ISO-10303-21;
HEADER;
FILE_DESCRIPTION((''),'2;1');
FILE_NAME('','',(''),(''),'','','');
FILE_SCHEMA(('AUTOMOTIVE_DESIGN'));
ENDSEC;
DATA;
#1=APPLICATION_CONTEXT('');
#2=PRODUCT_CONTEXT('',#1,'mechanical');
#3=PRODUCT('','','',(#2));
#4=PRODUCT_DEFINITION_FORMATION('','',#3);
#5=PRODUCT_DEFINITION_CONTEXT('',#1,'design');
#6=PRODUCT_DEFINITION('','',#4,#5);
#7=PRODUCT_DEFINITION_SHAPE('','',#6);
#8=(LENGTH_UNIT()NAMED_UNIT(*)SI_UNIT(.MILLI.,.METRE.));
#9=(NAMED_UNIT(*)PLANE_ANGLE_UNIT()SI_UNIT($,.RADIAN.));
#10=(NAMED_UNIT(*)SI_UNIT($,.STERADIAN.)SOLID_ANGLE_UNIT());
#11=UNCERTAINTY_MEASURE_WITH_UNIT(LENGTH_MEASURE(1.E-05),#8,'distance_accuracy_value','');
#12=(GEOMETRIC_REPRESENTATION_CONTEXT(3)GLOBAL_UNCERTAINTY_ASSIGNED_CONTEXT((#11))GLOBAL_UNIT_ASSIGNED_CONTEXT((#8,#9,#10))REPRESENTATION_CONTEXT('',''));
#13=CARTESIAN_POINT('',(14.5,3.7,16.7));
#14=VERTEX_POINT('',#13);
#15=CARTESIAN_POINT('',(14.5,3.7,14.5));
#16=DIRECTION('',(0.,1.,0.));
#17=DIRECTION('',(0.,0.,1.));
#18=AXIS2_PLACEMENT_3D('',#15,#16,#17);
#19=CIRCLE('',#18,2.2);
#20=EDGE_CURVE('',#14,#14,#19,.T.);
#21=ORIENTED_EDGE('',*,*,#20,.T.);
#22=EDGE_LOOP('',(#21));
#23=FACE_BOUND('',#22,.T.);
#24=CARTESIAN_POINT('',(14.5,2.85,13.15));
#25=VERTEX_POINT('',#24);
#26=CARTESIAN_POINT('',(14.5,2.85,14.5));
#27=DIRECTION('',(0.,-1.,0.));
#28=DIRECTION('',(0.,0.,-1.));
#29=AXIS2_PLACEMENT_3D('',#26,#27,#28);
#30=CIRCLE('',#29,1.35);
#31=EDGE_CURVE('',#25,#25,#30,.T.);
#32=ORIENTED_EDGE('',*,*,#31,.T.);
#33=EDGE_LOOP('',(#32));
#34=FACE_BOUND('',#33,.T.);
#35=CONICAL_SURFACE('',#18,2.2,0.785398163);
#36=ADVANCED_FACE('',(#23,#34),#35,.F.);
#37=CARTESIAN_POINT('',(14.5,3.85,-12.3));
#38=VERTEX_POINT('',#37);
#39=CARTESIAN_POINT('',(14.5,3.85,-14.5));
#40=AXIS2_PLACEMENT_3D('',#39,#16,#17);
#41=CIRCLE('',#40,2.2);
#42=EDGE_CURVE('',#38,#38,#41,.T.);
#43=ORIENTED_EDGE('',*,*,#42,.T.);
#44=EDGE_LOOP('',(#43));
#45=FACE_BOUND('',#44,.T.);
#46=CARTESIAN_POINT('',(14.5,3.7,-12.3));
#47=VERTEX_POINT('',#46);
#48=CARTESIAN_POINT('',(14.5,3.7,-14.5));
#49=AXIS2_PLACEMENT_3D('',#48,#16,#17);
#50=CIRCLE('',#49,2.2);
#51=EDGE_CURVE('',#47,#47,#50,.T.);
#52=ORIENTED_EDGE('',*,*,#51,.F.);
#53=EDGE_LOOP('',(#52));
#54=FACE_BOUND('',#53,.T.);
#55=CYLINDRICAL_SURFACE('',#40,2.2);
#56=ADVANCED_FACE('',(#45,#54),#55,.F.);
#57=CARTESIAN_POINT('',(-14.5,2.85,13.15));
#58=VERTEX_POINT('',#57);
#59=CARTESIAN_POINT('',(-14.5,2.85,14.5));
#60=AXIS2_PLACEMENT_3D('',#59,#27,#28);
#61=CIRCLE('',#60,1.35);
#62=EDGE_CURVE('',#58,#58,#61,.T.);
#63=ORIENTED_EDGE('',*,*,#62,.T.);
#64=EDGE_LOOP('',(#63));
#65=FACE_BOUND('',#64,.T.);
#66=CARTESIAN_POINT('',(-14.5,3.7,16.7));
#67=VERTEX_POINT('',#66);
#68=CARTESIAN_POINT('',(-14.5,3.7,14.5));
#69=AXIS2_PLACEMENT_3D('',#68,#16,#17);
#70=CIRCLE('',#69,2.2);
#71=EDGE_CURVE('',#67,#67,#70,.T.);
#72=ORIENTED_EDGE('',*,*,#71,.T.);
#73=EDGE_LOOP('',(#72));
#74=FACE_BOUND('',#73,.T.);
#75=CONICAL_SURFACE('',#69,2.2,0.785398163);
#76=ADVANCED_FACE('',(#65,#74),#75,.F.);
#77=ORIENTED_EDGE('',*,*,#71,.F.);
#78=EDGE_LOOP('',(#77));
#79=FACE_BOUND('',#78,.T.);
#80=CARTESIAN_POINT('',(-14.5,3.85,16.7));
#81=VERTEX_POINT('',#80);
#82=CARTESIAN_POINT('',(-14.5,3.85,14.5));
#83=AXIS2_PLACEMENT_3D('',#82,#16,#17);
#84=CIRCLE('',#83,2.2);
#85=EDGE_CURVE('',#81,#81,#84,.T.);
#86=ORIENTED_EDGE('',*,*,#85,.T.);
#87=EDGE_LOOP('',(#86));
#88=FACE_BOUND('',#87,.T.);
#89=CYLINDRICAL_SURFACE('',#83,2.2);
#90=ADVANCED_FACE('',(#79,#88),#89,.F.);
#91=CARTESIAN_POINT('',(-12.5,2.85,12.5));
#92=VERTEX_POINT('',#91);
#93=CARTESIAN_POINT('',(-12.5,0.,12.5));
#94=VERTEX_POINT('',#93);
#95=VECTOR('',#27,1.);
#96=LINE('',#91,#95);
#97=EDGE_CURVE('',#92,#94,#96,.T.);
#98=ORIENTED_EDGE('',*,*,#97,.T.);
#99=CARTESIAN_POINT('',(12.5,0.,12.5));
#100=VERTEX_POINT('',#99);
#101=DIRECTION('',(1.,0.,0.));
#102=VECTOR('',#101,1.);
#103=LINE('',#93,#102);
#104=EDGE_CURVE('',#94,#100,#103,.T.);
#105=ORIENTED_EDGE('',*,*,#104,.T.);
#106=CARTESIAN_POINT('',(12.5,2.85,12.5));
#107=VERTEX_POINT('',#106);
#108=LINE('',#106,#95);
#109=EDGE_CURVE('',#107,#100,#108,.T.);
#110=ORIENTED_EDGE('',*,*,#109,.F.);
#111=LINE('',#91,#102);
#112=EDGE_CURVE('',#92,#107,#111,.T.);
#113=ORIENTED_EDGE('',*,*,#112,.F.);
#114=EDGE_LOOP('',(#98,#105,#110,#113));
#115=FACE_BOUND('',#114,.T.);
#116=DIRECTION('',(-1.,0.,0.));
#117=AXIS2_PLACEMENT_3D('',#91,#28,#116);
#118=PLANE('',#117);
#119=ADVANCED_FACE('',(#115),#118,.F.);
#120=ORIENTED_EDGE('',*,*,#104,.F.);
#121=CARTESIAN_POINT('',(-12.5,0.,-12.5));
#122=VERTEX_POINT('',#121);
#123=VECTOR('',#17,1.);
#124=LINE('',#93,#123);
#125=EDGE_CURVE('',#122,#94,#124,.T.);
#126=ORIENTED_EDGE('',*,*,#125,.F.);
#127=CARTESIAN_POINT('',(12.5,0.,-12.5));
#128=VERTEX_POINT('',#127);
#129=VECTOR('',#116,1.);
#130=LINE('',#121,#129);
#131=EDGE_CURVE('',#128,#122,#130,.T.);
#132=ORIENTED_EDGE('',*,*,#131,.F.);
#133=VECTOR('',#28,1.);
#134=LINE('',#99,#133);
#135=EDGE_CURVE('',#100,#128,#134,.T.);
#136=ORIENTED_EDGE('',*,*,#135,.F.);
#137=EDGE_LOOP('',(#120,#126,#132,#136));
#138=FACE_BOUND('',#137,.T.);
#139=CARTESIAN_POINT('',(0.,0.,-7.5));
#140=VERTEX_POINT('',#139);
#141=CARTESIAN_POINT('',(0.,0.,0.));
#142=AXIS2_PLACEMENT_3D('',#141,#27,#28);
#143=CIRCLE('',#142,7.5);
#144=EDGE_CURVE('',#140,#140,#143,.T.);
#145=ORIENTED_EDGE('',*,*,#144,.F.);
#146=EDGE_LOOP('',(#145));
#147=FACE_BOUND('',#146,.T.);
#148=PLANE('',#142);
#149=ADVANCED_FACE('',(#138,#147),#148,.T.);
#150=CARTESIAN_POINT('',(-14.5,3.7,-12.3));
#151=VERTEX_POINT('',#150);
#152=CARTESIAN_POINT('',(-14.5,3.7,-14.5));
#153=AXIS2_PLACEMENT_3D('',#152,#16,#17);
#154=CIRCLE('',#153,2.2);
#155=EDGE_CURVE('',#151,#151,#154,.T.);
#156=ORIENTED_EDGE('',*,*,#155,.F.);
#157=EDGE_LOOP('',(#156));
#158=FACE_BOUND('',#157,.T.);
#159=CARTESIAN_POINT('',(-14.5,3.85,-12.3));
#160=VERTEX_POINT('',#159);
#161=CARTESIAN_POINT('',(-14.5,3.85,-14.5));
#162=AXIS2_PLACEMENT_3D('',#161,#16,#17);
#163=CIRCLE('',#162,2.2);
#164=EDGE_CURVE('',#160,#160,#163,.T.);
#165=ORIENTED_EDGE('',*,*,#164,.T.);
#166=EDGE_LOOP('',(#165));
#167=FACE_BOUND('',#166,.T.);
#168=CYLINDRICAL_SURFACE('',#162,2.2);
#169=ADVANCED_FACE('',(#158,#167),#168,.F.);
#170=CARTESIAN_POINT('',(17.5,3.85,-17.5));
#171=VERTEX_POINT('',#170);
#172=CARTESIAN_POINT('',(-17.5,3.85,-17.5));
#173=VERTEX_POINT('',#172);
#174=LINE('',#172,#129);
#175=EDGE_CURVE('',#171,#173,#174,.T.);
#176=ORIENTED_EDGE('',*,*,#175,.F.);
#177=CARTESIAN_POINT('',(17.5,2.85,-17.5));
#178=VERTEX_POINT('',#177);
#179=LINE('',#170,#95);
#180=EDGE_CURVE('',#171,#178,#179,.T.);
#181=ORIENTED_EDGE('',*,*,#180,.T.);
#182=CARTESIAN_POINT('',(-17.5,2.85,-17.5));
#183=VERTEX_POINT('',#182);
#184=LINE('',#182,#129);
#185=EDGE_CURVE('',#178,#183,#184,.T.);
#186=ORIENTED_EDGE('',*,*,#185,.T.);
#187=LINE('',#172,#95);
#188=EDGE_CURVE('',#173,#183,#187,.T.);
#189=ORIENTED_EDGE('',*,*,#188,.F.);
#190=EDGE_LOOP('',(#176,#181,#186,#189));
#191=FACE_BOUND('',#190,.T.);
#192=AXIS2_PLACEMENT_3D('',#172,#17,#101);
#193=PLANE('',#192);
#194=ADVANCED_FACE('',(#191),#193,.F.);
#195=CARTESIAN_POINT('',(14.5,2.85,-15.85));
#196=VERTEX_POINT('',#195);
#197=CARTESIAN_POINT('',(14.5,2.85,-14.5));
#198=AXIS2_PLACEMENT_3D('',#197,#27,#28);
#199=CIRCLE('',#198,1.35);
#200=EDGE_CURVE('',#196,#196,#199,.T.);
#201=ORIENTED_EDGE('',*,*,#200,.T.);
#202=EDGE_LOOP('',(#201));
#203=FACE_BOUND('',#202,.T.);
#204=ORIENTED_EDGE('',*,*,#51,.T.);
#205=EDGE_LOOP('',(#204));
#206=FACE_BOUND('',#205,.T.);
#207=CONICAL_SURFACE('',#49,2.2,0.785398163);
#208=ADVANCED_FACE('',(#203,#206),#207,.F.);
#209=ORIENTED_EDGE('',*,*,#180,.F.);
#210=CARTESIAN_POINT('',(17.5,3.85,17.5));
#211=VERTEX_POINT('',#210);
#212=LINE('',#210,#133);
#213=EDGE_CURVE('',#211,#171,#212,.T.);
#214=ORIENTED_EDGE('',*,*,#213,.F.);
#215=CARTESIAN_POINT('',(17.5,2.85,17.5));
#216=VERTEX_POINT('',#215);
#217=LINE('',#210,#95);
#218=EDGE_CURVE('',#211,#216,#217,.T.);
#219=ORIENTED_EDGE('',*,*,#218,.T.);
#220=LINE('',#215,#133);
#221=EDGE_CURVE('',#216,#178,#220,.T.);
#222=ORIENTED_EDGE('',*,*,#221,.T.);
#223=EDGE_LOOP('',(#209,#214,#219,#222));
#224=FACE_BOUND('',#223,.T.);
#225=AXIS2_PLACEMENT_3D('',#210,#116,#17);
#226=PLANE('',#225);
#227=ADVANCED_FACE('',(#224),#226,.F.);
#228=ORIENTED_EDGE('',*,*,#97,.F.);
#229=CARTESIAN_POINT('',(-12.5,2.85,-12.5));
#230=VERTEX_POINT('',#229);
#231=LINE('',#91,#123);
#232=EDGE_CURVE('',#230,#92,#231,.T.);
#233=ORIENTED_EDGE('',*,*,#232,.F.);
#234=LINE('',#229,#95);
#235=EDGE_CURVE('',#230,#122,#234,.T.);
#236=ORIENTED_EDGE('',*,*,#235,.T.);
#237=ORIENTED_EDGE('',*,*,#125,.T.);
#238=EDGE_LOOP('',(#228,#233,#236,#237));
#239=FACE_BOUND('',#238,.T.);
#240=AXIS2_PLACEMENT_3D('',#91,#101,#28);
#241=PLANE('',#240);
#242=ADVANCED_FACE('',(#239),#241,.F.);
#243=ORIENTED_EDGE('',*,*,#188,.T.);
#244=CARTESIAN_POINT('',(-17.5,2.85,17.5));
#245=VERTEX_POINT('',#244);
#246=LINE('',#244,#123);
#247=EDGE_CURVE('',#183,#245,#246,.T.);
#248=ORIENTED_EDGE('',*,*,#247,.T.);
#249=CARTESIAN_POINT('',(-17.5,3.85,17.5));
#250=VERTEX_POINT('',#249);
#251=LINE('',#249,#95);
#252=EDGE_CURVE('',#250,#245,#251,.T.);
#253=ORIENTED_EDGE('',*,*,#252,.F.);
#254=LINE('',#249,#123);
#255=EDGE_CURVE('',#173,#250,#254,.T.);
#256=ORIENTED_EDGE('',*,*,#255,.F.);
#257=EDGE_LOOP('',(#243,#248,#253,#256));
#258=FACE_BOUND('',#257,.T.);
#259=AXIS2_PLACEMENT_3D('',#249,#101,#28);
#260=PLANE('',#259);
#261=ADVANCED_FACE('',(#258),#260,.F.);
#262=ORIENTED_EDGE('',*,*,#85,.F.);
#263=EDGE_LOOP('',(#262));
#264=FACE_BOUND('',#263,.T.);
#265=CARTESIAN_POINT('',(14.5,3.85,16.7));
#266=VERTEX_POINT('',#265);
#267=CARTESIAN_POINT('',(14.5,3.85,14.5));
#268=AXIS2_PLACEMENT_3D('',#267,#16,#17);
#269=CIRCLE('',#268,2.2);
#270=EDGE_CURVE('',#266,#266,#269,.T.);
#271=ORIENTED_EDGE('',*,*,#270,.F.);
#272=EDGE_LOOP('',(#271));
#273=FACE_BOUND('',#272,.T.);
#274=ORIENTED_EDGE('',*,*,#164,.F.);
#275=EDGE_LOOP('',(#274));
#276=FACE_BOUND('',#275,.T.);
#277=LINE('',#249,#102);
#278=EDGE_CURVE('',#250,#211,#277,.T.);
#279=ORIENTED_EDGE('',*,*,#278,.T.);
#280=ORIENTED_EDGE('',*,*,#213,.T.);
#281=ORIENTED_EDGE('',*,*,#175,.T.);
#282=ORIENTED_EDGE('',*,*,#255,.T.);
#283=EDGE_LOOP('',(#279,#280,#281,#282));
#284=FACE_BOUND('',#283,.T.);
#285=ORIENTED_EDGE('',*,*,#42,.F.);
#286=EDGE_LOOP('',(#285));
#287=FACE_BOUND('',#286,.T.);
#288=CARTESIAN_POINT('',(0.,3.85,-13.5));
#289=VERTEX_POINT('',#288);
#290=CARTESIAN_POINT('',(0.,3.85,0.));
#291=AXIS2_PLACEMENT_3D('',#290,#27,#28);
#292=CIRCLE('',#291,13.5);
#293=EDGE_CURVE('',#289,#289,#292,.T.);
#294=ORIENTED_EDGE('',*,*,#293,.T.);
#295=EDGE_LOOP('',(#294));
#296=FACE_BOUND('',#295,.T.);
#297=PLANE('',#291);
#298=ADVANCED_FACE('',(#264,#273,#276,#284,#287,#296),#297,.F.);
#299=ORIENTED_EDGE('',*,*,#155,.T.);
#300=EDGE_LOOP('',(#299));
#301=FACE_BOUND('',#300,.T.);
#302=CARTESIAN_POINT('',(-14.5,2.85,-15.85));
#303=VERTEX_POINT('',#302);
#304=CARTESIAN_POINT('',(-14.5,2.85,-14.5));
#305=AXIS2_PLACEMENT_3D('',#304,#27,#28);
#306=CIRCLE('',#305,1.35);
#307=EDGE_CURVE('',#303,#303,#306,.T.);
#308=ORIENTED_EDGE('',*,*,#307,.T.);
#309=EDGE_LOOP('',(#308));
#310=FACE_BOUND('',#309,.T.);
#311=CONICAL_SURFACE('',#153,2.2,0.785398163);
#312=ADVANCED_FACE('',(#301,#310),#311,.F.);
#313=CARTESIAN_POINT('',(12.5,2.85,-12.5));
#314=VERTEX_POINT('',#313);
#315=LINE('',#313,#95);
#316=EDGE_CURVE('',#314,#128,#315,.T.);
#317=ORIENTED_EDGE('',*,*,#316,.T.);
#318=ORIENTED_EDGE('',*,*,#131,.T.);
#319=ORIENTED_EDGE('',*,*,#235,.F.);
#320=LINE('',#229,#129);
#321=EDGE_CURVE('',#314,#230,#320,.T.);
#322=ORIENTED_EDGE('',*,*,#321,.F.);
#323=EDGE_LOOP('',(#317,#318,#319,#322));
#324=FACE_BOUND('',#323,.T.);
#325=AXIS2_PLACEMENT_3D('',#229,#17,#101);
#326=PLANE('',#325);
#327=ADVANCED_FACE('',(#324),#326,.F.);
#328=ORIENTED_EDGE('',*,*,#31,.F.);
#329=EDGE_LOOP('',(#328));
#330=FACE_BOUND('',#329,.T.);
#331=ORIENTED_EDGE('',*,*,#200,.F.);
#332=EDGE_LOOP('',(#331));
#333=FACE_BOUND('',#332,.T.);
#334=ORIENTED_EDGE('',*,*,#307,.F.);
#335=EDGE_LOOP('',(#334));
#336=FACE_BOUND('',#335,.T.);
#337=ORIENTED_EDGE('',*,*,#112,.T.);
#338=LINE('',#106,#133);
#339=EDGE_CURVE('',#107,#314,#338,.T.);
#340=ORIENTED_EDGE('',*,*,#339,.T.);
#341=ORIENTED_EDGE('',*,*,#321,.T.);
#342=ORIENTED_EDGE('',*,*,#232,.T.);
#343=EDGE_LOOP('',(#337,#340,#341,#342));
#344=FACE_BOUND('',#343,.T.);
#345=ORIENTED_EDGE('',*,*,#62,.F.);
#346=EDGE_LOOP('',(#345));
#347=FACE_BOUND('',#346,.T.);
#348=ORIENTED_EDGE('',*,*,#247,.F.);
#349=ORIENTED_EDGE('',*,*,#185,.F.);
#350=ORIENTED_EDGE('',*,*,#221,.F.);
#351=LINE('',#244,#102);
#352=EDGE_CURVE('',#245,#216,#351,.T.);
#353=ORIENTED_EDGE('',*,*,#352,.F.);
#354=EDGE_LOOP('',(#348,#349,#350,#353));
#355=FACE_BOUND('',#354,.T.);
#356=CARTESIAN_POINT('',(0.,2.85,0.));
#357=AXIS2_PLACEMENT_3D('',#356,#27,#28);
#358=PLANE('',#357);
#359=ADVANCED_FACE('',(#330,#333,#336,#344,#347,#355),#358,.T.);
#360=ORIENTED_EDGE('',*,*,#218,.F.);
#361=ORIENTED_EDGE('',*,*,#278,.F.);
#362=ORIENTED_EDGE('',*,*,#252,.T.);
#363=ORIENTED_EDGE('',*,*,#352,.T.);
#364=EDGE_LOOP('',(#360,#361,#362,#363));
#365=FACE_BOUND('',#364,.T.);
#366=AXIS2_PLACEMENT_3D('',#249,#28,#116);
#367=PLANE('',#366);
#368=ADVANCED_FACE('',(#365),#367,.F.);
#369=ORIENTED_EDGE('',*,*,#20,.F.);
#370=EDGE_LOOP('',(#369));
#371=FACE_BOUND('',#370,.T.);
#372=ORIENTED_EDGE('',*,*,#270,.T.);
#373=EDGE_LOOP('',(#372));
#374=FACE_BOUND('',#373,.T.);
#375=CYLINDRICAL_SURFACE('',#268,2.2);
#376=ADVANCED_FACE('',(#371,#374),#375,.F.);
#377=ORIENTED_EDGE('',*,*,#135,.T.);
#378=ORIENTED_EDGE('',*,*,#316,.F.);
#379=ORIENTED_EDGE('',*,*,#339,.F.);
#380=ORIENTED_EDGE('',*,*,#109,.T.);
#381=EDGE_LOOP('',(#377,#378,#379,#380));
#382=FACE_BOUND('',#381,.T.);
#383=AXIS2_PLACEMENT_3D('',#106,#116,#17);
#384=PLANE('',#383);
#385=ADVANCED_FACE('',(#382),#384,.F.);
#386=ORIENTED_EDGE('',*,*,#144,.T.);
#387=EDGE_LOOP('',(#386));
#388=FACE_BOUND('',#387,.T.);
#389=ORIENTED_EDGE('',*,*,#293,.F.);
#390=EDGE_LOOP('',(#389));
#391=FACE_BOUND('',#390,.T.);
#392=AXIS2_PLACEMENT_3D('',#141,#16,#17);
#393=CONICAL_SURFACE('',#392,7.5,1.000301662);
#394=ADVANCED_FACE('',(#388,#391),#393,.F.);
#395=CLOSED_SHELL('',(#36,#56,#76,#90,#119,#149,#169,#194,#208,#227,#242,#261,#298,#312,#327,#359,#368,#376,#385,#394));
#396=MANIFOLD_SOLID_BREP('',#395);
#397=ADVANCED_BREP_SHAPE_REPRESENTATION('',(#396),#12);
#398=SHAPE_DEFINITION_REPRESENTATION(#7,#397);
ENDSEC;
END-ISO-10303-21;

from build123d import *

# Parameters (mm, degrees)
SKETCH1_W                                      = 25
SKETCH1_H                                      = 25
BOSS_EXTRUDE1_DEPTH                            = 2.85
SKETCH2_W                                      = 35
SKETCH2_H                                      = 35
BOSS_EXTRUDE2_DEPTH                            = 1
CSK_FOR_M2_FLAT_HEAD_MACHINE_SCREW1_AT_2_COUNT = 2
CSK_FOR_M2_FLAT_HEAD_MACHINE_SCREW1_AT_2_PITCH = 29
CSK_FOR_M2_FLAT_HEAD_MACHINE_SCREW1_AT_3_COUNT = 2
CSK_FOR_M2_FLAT_HEAD_MACHINE_SCREW1_AT_3_PITCH = 41.012193309
CSK_FOR_M2_FLAT_HEAD_MACHINE_SCREW1_AT_4_COUNT = 2
CSK_FOR_M2_FLAT_HEAD_MACHINE_SCREW1_AT_4_PITCH = 29


with BuildPart() as part:
    # Sketch1 → Boss-Extrude1 (new body)
    with BuildSketch(Plane(origin=(0, 0, 0), x_dir=(1, 0, 0), z_dir=(0, 1, 0))):
        Rectangle(SKETCH1_W, SKETCH1_H)
    extrude(amount=BOSS_EXTRUDE1_DEPTH)

    # Sketch2 → Boss-Extrude2 (add)
    with BuildSketch(Plane(origin=(0, 2.85, 0), x_dir=(1, 0, 0), z_dir=(0, 1, 0))):
        Rectangle(SKETCH2_W, SKETCH2_H)
    extrude(amount=BOSS_EXTRUDE2_DEPTH)

    # Sketch3 → Cut-Revolve1 (revolve, cut)
    with BuildSketch(Plane.XY):
        Polygon((0, 0), (7.5, 0), (13.5, 3.85), (0, 3.85), align=None)
    revolve(axis=Axis((0, 0, 0), (0, 1, 0)), mode=Mode.SUBTRACT)

    # Sketch4 → CSK for M2 Flat Head Machine Screw1 (revolve, cut)
    with BuildSketch(Plane(origin=(-14.5, 3.85, -14.5), x_dir=(0, 0, 1), z_dir=(1, 0, 0))):
        Polygon((0, 0), (0, 10.721032743), (1.2, 10), (1.2, 1.15), (2.2, 0.15), (2.2, 0), align=None)
    csk_for_m2_flat_head_machine_screw1 = revolve(axis=Axis((-14.5, 10.2, -14.5), (0, -1, 0)), mode=Mode.SUBTRACT)

    # CSK for M2 Flat Head Machine Screw1 at 2: CSK for M2 Flat Head Machine Screw1 ×2
    with Locations(*[(i * CSK_FOR_M2_FLAT_HEAD_MACHINE_SCREW1_AT_2_PITCH, 0, 0) for i in range(1, CSK_FOR_M2_FLAT_HEAD_MACHINE_SCREW1_AT_2_COUNT)]):
        add(csk_for_m2_flat_head_machine_screw1, mode=Mode.SUBTRACT)

    # CSK for M2 Flat Head Machine Screw1 at 3: CSK for M2 Flat Head Machine Screw1 ×2
    with Locations(*[Vector(0.707106781, 0, 0.707106781) * (i * CSK_FOR_M2_FLAT_HEAD_MACHINE_SCREW1_AT_3_PITCH) for i in range(1, CSK_FOR_M2_FLAT_HEAD_MACHINE_SCREW1_AT_3_COUNT)]):
        add(csk_for_m2_flat_head_machine_screw1, mode=Mode.SUBTRACT)

    # CSK for M2 Flat Head Machine Screw1 at 4: CSK for M2 Flat Head Machine Screw1 ×2
    with Locations(*[(0, 0, i * CSK_FOR_M2_FLAT_HEAD_MACHINE_SCREW1_AT_4_PITCH) for i in range(1, CSK_FOR_M2_FLAT_HEAD_MACHINE_SCREW1_AT_4_COUNT)]):
        add(csk_for_m2_flat_head_machine_screw1, mode=Mode.SUBTRACT)


solid = part.part
